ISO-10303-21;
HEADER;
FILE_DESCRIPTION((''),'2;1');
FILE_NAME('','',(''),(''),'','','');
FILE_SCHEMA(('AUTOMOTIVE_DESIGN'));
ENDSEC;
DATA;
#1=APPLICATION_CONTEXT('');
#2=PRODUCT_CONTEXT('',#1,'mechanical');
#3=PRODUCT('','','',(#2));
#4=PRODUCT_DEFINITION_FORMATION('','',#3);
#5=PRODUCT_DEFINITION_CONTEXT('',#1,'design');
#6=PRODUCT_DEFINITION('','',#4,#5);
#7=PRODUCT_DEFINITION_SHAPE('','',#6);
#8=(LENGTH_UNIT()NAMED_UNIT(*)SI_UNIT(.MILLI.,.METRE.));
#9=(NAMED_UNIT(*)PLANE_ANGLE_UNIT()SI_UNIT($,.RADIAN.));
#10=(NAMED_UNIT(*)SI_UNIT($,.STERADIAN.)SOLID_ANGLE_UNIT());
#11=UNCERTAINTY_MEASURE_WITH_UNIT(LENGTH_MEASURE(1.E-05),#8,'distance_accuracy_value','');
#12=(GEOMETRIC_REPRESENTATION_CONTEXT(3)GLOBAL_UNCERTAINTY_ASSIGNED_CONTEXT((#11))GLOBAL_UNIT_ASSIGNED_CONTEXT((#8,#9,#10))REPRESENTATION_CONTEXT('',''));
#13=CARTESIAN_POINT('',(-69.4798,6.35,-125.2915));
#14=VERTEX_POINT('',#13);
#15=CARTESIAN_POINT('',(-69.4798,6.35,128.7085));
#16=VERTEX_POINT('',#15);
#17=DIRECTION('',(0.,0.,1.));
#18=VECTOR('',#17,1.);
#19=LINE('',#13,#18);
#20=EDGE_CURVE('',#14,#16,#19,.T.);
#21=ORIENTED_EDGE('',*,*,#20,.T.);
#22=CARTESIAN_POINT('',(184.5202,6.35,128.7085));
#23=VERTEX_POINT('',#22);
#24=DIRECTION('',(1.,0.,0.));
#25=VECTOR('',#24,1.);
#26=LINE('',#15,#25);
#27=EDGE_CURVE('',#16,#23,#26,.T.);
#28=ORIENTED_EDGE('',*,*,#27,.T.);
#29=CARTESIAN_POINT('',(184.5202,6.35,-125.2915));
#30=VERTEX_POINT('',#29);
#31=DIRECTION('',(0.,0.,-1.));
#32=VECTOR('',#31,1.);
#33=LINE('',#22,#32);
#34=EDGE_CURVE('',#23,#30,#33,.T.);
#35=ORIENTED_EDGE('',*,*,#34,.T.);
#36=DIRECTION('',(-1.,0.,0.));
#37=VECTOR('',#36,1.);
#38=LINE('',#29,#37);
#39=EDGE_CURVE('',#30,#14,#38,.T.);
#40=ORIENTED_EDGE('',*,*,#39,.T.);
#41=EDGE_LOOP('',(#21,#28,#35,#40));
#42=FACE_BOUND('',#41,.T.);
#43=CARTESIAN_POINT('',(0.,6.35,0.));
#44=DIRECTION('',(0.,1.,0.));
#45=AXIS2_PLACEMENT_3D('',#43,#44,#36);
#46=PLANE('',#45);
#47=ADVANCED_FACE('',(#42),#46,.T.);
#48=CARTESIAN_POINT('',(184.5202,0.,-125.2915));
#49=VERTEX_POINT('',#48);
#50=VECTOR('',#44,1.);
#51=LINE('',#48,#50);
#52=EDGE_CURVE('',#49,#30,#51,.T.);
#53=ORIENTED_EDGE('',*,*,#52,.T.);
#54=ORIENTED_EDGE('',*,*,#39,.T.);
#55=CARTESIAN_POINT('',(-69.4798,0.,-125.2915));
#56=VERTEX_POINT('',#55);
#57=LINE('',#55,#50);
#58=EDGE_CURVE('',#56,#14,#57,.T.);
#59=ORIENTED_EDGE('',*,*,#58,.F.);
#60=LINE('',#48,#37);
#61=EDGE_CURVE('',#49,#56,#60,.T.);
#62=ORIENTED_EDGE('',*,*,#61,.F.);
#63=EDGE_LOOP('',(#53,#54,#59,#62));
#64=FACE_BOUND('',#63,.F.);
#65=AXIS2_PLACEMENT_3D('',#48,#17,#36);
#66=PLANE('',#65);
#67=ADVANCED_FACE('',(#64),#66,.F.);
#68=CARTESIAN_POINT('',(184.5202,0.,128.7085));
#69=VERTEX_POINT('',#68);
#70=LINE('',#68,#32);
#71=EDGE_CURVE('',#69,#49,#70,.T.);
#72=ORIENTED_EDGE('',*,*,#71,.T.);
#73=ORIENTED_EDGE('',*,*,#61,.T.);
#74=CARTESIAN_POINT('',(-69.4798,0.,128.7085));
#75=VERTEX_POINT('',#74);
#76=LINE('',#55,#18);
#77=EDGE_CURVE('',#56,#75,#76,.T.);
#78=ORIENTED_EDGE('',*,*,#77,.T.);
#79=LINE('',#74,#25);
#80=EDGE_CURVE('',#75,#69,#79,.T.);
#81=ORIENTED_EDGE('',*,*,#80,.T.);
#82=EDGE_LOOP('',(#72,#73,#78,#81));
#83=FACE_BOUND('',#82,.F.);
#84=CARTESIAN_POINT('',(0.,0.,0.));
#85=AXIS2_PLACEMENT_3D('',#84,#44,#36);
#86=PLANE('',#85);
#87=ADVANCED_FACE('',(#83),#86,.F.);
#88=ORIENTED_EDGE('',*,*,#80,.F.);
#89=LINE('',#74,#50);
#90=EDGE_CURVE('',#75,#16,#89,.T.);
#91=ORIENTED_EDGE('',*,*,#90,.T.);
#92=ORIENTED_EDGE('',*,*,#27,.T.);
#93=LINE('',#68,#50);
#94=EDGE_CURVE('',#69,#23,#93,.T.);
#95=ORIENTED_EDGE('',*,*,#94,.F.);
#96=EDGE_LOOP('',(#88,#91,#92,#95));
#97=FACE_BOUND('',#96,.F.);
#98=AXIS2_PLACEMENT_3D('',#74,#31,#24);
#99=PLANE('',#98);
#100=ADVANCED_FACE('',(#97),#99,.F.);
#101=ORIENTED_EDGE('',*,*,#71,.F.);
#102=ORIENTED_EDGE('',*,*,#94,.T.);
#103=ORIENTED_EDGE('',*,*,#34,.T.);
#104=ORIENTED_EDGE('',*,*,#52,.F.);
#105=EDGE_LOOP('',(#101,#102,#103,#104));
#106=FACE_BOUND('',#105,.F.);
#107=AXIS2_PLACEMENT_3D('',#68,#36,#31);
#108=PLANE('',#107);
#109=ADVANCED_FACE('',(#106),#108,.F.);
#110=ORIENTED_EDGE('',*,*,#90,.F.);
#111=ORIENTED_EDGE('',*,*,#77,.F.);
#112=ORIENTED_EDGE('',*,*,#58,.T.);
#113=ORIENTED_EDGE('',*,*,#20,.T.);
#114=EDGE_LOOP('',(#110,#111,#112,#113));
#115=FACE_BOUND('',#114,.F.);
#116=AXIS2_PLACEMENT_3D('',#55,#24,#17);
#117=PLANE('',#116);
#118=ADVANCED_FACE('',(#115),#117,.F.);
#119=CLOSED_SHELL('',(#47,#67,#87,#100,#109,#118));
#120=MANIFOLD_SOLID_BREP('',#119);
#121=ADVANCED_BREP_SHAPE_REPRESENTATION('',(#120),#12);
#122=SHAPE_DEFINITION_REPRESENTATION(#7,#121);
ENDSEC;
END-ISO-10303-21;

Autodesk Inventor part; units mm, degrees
ref_plane "YZ Plane" through (0, 0, 0) normal (1, 0, 0) x (0, 1, 0)
ref_plane "XZ Plane" through (0, 0, 0) normal (0, 1, 0) x (-1, 0, 0)
ref_plane "XY Plane" through (0, 0, 0) normal (0, 0, 1) x (1, 0, 0)
sketch "Sketch1" plane through (0, 0, 0) normal (0, 1, 0) x (-1, 0, 0)
  line L0 (69.4798, 128.7085) -> (-184.5202, 128.7085)
  line L1 (-184.5202, 128.7085) -> (-184.5202, -125.2915)
  line L2 (-184.5202, -125.2915) -> (69.4798, -125.2915)
  line L3 (69.4798, -125.2915) -> (69.4798, 128.7085)
  point P0 (0, 0)
  dimension "d0" = 254
  dimension "d1" = 254
extrude "Extrusion1" add sketch "Sketch1" along normal blind 6.35
properties part number "Floor"
